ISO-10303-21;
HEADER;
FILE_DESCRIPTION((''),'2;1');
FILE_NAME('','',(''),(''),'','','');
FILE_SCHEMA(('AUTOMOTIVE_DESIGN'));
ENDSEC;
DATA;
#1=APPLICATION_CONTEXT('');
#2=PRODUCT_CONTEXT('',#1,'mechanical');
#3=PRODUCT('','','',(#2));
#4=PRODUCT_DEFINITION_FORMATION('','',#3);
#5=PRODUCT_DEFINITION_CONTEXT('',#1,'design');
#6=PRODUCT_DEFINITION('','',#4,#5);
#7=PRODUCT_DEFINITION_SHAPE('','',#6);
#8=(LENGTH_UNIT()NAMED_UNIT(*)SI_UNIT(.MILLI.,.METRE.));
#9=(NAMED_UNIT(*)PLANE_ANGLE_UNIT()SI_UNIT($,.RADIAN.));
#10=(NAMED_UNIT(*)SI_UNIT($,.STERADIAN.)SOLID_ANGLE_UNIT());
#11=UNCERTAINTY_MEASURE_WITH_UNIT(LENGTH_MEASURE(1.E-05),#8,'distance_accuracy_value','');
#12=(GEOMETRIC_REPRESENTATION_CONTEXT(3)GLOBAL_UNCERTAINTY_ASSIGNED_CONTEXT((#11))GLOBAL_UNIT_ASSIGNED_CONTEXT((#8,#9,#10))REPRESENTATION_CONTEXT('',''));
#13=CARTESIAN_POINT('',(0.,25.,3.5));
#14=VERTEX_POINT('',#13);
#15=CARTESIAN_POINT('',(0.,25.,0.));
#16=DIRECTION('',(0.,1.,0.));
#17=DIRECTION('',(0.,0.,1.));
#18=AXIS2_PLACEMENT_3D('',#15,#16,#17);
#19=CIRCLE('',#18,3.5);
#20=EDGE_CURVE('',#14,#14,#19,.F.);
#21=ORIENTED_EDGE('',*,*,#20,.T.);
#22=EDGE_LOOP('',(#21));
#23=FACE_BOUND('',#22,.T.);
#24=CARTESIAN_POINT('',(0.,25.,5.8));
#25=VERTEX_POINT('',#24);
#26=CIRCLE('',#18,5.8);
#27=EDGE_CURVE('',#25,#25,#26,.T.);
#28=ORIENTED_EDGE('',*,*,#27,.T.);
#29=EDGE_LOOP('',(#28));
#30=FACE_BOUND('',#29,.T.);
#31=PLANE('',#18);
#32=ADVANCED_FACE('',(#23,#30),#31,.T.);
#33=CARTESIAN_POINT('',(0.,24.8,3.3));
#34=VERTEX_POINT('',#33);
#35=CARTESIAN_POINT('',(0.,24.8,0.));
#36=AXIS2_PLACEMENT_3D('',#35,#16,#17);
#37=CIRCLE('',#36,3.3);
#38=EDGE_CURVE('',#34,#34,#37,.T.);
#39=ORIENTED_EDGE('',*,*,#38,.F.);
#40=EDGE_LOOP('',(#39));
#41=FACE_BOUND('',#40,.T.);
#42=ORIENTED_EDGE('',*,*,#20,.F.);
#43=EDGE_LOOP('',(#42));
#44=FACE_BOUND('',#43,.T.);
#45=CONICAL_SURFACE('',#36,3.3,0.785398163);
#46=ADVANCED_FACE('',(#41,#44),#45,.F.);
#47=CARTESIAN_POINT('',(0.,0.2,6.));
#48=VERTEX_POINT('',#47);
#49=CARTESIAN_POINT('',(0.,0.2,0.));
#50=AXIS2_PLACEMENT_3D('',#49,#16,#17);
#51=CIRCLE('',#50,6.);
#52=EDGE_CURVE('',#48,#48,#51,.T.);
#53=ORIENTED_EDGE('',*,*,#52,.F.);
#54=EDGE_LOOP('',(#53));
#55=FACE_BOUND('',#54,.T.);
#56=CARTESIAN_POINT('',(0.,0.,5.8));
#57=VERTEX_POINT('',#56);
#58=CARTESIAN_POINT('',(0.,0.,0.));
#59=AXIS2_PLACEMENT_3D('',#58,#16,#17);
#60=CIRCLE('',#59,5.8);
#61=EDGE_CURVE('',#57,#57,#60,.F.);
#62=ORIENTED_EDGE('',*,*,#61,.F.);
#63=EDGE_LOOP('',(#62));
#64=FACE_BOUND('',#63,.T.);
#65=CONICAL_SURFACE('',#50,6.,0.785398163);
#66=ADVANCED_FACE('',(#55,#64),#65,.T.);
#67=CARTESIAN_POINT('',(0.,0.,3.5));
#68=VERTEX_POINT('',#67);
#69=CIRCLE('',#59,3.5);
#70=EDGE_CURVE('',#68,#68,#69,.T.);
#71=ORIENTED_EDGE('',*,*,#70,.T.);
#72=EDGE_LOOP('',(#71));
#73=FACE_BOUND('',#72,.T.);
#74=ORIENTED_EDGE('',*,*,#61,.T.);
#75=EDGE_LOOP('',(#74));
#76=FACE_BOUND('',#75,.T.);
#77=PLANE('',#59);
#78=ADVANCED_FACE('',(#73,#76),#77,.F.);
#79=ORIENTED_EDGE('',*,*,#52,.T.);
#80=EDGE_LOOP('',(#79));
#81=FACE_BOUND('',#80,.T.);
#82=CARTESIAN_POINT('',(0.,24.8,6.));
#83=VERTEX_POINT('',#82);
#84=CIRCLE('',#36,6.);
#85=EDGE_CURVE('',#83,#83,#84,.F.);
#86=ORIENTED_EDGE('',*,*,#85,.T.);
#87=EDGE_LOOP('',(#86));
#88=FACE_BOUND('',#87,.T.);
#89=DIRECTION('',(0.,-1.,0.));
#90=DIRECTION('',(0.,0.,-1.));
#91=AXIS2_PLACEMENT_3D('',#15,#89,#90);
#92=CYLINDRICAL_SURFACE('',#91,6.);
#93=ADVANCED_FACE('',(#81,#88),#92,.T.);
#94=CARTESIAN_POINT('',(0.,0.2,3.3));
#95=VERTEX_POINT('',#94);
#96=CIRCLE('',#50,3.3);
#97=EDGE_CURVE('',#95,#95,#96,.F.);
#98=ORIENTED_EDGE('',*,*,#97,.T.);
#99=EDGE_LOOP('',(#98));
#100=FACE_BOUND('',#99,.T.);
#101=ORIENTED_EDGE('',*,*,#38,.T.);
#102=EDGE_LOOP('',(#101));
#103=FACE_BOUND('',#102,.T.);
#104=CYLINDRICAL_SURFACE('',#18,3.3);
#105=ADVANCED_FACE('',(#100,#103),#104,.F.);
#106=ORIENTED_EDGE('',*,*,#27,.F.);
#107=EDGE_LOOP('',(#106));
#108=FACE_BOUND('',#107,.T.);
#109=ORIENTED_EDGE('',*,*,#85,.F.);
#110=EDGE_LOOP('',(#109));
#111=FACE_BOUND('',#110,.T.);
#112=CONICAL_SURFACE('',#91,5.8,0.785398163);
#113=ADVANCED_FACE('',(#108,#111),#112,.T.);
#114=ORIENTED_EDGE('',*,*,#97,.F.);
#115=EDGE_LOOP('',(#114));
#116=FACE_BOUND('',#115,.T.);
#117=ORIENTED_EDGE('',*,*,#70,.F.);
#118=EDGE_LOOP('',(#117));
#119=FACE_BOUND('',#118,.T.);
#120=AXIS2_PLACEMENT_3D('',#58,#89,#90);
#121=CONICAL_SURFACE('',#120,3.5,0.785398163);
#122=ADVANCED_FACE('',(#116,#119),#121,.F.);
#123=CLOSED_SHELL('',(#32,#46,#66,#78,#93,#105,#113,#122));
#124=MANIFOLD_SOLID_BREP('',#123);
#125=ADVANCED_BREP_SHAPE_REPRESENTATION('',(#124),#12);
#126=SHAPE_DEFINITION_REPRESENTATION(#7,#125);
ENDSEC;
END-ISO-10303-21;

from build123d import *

# Parameters (mm, degrees)
SKETCH1_R            = 6
BOSS_EXTRUDE1_DEPTH  = 25
M6_CLEARANCE_HOLE1_D = 6.6
CHAMFER1_SIZE        = 0.2


with BuildPart() as part:
    # Sketch1 → Boss-Extrude1 (new body)
    with BuildSketch(Plane(origin=(0, 0, 0), x_dir=(1, 0, 0), z_dir=(0, 1, 0))):
        Circle(SKETCH1_R)
    extrude(amount=BOSS_EXTRUDE1_DEPTH)

    # M6 Clearance Hole1 (through all)
    with Locations(Plane(origin=(0, 25, 0), x_dir=(1, 0, 0), z_dir=(0, 1, 0))):
        with Locations((0, 0)):
            Hole(M6_CLEARANCE_HOLE1_D / 2)

    # Chamfer1
    chamfer1_edges = [part.edges().sort_by_distance(p)[0] for p in [
        (-6, 0, 0),
        (-6, 25, 0),
        (3.3, 25, 0),
        (3.3, 0, 0),
    ]]
    chamfer(chamfer1_edges, length=CHAMFER1_SIZE)


solid = part.part
